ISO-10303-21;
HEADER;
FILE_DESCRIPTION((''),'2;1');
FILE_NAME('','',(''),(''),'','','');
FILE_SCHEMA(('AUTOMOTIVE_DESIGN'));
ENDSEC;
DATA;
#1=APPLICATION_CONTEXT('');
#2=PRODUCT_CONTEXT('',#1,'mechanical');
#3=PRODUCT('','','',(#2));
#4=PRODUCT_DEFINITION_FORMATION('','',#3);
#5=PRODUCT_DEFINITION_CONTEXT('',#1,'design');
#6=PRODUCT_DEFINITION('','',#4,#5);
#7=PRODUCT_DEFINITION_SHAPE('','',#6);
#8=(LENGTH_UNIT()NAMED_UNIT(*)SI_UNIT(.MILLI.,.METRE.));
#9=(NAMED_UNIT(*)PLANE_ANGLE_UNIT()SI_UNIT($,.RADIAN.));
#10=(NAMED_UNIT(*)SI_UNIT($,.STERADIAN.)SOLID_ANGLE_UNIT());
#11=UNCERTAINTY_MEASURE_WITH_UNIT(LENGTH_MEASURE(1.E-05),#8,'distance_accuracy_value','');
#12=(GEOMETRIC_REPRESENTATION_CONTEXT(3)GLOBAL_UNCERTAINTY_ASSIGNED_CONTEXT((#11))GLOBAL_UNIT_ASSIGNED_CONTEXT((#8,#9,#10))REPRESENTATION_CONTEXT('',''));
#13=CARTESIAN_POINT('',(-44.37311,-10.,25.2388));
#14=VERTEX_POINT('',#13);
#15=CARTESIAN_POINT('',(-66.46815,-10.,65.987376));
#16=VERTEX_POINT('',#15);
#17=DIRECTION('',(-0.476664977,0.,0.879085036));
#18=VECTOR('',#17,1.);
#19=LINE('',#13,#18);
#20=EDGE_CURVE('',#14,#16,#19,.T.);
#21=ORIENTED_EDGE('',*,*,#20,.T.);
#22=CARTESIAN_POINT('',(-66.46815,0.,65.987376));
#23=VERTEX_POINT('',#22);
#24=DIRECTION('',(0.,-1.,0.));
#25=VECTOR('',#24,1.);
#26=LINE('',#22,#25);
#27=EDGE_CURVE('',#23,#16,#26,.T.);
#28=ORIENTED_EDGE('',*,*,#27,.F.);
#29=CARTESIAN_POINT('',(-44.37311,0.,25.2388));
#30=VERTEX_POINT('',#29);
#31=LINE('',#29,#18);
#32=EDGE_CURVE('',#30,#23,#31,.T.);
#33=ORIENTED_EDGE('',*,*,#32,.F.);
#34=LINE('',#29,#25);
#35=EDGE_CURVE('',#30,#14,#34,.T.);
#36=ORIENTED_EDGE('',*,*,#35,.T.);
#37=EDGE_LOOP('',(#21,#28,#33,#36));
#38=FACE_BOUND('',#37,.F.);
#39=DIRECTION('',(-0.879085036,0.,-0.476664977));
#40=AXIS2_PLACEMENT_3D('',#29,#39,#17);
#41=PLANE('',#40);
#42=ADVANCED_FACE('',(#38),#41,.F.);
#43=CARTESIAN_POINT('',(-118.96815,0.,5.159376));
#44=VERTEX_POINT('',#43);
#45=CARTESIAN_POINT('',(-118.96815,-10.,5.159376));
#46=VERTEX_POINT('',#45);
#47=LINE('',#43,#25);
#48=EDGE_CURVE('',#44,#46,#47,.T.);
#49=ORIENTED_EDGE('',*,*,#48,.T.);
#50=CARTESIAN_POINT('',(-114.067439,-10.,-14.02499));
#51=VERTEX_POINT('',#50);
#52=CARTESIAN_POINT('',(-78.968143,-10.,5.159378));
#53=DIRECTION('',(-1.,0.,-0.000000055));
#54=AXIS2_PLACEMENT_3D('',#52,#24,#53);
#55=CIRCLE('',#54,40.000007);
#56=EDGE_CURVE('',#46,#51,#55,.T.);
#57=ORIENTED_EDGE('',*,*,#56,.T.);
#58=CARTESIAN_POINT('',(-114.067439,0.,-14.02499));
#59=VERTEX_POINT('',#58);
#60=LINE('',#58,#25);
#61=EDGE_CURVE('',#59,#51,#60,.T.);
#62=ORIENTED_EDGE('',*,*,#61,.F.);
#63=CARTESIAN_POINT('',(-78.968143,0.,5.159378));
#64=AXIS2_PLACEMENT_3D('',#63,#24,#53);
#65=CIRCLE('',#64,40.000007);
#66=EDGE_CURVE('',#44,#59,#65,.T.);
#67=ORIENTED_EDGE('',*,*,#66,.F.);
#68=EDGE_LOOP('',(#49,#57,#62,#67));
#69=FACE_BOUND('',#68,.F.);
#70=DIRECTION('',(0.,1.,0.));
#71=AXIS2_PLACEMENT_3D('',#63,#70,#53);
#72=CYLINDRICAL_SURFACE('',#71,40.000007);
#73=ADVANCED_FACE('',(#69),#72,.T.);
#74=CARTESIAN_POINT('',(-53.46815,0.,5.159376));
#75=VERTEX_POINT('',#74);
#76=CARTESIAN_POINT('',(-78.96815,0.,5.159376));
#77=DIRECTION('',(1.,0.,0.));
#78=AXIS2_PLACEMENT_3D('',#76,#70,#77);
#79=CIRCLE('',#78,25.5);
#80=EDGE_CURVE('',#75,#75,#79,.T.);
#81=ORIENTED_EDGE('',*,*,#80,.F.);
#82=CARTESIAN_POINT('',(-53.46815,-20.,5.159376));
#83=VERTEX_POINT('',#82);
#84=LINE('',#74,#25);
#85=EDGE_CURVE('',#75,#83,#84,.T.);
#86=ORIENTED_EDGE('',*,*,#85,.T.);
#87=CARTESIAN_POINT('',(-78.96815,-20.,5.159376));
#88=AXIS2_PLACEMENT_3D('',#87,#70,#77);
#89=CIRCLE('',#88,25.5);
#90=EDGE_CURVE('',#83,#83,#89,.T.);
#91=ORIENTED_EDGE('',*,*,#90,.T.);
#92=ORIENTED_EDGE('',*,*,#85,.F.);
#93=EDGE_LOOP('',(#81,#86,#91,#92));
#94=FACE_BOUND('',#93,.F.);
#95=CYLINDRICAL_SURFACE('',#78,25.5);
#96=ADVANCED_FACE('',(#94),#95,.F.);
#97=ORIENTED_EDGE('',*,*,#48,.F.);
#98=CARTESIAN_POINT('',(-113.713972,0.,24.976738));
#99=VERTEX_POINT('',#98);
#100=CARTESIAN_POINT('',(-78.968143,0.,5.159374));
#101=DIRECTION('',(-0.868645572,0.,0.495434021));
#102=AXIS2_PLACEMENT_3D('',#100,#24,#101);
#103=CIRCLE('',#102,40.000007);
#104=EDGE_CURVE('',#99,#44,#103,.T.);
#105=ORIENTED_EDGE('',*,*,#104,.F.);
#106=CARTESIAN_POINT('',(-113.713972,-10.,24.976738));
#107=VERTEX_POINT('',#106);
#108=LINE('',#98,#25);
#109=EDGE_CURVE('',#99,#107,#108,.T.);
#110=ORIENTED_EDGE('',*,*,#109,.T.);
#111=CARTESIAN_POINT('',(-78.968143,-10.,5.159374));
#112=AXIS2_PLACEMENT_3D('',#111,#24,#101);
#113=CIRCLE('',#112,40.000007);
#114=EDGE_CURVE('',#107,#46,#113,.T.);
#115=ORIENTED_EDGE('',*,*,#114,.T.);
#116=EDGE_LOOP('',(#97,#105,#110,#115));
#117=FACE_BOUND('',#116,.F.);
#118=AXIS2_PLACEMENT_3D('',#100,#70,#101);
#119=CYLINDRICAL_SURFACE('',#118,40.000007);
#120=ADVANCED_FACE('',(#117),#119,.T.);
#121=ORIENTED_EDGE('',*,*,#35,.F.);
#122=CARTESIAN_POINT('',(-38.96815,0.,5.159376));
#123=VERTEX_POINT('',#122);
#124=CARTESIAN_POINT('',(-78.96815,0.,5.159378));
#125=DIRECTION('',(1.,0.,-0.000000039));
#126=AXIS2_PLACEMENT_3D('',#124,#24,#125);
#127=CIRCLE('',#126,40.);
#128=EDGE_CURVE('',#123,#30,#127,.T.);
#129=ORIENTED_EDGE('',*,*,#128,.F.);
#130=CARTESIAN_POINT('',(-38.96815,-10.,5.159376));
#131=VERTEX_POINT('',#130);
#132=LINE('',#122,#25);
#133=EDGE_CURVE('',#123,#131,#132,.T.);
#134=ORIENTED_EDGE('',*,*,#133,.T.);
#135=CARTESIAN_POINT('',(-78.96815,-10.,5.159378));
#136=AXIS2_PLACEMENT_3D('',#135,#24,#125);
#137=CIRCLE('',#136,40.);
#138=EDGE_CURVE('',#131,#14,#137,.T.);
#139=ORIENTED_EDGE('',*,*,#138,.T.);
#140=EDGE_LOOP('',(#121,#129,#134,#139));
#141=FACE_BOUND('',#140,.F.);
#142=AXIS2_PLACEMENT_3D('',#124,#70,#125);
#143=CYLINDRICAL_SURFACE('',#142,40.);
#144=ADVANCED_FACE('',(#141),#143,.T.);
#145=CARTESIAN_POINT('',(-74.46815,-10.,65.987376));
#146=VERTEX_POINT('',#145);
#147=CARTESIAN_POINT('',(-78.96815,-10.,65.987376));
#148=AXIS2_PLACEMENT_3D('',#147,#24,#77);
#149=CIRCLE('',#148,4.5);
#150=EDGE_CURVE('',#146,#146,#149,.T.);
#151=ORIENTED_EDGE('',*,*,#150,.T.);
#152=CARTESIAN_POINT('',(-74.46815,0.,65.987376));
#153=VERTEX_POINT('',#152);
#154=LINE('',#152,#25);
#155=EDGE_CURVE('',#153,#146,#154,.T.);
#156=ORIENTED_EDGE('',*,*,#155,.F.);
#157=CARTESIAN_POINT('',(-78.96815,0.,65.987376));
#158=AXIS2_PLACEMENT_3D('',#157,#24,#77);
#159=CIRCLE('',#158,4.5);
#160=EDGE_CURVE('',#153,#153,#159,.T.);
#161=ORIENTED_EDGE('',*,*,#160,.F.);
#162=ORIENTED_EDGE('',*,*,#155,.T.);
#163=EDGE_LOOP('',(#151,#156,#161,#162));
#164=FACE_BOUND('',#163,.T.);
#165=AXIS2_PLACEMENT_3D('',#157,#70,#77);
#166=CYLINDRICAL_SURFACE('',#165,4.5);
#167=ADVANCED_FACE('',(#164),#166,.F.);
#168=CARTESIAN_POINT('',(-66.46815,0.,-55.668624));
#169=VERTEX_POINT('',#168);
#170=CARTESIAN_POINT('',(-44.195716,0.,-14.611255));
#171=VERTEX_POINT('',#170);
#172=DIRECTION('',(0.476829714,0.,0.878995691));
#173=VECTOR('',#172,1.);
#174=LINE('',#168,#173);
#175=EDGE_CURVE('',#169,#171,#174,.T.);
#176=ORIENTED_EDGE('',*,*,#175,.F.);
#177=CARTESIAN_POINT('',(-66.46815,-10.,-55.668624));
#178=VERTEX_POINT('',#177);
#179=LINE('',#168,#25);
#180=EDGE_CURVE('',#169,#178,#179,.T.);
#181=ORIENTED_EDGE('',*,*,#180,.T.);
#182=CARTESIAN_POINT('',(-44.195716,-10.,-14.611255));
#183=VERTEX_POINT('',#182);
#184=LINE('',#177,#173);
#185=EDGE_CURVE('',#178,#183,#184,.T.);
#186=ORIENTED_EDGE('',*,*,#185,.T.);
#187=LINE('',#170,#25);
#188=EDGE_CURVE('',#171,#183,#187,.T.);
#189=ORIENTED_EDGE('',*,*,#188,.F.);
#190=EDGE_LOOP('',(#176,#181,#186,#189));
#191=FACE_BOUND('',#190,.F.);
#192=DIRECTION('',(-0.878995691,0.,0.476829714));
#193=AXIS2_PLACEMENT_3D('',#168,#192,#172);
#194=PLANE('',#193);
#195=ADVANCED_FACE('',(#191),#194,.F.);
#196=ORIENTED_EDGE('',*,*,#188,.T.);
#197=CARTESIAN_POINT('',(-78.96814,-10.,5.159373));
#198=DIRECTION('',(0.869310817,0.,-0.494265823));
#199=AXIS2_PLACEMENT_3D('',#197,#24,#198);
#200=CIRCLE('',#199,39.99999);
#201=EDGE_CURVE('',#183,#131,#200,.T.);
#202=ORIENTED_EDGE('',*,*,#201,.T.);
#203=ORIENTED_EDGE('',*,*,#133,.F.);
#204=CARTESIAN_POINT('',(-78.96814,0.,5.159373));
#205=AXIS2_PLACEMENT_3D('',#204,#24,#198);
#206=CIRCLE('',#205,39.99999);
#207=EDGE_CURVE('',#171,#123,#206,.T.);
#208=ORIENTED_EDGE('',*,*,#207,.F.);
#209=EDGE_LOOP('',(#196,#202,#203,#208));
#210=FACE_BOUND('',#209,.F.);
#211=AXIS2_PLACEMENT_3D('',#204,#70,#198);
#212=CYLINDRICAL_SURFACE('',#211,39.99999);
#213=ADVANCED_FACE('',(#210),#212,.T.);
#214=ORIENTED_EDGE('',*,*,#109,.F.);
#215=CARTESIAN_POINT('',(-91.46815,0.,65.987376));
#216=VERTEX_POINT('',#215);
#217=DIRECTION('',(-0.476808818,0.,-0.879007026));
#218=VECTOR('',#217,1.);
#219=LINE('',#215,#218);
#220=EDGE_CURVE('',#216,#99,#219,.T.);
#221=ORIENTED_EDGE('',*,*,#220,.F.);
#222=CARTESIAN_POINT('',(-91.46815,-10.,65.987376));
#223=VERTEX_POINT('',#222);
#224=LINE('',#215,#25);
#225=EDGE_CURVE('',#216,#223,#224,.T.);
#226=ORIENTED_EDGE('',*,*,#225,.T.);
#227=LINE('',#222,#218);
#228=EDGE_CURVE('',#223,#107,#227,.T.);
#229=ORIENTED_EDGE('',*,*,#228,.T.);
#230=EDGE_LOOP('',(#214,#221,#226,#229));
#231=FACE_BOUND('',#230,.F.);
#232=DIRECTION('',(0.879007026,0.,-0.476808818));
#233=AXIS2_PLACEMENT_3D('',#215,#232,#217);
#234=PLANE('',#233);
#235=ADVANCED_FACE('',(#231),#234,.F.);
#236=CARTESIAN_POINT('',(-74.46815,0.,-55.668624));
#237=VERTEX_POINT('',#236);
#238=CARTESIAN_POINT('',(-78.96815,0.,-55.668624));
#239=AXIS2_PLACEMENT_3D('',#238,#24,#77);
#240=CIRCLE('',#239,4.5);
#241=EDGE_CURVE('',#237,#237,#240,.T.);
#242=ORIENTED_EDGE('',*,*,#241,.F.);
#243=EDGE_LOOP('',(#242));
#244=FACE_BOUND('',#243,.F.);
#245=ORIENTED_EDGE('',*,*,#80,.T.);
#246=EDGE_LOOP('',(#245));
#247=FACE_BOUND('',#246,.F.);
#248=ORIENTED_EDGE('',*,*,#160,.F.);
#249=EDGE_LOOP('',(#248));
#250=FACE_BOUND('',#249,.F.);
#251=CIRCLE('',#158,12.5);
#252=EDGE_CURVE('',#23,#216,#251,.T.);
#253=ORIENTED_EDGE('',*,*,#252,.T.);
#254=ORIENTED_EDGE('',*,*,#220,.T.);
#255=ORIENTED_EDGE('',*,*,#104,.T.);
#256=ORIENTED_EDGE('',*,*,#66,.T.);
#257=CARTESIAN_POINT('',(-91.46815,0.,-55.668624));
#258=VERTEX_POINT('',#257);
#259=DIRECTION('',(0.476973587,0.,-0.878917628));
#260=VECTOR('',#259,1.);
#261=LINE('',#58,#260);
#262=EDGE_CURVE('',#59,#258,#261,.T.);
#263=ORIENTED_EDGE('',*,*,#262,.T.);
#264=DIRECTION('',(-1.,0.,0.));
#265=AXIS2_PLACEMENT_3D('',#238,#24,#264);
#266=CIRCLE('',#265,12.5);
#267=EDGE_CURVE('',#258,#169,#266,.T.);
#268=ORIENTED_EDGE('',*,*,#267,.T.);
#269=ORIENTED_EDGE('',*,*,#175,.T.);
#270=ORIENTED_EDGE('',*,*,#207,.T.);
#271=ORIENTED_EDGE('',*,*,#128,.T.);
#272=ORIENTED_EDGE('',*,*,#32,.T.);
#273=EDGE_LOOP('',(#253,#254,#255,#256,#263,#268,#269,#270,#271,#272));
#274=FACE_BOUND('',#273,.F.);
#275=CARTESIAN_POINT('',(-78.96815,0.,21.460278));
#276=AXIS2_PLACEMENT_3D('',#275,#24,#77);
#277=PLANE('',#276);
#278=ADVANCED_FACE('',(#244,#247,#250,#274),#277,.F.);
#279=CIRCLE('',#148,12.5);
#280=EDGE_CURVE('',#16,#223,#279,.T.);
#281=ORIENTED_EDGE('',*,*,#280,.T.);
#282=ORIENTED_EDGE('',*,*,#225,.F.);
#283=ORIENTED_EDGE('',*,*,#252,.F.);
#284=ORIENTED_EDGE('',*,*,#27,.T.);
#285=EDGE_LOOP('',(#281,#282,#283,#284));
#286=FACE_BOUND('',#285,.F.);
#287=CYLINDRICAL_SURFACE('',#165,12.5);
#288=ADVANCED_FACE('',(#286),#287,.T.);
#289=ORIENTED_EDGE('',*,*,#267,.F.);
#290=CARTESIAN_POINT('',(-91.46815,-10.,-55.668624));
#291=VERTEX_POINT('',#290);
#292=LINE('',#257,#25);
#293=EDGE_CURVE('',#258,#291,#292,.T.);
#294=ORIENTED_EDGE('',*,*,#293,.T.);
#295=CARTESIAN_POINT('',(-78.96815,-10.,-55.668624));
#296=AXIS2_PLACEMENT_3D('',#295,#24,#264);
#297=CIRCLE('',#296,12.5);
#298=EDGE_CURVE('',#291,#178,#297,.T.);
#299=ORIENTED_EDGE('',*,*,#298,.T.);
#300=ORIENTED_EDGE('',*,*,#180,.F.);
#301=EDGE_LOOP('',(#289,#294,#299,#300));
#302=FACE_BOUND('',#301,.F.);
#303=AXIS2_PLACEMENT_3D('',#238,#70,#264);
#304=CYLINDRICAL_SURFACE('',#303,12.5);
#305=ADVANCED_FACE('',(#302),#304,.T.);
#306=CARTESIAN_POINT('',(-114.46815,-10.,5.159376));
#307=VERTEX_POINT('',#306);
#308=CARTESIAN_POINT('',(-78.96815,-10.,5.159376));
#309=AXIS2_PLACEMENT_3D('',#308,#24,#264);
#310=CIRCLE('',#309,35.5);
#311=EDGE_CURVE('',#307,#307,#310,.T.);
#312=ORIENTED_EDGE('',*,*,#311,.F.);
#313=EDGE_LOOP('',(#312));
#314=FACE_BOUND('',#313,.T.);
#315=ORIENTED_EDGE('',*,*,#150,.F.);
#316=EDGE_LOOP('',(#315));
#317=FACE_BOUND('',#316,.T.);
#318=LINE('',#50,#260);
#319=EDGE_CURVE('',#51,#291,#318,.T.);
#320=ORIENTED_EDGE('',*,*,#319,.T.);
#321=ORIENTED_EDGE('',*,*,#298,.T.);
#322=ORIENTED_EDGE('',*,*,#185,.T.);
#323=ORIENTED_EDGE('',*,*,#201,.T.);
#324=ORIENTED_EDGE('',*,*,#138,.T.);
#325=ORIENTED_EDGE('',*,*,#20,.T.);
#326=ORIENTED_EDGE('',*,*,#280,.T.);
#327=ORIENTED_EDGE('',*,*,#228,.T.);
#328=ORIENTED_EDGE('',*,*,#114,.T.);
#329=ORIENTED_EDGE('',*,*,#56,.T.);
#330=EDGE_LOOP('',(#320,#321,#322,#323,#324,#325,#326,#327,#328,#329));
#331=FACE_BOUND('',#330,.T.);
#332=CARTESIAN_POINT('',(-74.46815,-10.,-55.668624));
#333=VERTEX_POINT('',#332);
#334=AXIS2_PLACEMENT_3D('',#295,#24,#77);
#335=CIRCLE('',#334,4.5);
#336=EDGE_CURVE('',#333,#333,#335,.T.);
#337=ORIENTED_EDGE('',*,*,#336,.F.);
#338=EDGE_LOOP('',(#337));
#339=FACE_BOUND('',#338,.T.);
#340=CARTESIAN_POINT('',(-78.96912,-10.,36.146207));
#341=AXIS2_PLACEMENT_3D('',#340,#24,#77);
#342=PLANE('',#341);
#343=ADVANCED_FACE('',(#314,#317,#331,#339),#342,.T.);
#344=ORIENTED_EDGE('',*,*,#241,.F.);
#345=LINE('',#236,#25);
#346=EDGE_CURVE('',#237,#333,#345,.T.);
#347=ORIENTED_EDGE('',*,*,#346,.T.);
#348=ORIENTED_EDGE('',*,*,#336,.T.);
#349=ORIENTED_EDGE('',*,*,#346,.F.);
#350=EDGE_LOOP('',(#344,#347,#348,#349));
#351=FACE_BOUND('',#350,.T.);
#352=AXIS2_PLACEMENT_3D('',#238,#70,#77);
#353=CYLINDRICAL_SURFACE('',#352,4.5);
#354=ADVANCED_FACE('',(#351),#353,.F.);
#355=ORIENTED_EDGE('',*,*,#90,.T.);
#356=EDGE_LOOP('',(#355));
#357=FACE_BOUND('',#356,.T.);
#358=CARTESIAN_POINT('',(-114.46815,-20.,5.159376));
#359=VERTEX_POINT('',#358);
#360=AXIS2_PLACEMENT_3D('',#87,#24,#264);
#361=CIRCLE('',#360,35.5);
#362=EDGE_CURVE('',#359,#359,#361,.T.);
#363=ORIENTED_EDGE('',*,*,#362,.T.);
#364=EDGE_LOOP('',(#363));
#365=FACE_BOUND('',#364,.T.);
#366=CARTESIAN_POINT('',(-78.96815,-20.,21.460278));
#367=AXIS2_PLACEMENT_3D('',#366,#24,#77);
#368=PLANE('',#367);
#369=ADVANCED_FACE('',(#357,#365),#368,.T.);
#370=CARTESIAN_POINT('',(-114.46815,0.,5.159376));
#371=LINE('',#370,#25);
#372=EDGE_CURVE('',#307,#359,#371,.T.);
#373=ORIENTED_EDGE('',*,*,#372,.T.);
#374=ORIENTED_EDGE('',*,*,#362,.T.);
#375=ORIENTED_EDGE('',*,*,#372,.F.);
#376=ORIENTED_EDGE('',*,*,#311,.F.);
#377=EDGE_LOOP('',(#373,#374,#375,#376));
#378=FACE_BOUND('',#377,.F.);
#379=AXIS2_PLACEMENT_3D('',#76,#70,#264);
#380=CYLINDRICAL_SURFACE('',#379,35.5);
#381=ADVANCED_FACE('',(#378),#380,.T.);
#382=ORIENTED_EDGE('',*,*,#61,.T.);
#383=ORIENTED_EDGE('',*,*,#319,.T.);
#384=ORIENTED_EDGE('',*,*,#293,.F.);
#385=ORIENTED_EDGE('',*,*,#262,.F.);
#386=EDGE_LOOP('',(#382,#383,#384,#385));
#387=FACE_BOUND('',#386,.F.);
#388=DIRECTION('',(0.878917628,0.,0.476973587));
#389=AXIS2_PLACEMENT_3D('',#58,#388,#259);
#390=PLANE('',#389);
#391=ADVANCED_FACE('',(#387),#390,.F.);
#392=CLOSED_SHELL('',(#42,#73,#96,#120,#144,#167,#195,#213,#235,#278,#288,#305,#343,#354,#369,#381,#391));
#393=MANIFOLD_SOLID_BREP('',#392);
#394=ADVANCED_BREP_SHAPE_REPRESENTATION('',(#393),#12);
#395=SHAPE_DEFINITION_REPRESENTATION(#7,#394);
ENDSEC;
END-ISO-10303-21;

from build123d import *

# Parameters (mm, degrees)
F0_R     = 4.5
F1_DEPTH = 10
F2_DEPTH = 20


with BuildPart() as f1:
    # F0 (on Front) → F1 (new body)
    with BuildSketch(Plane.XZ):
        with BuildLine():
            ThreePointArc((-114.46815, 5.159376), (-78.96815, 40.659376), (-43.46815, 5.159376))
            Line((-43.46815, 5.159376), (-38.96815, 5.159376))
            ThreePointArc((-38.96815, 5.159376), (-40.343018, 15.556453), (-44.37311, 25.2388))
            Line((-44.37311, 25.2388), (-66.46815, 65.987376))
            ThreePointArc((-66.46815, 65.987376), (-78.96815, 78.487376), (-91.46815, 65.987376))
            Line((-91.46815, 65.987376), (-113.713972, 24.976738))
            ThreePointArc((-113.713972, 24.976738), (-117.632299, 15.410403), (-118.96815, 5.159376))
            Line((-118.96815, 5.159376), (-114.46815, 5.159376))
        make_face()
        with Locations((-78.96815, 65.987376)):
            Circle(F0_R, mode=Mode.SUBTRACT)
        with BuildLine():
            Line((-38.96815, 5.159376), (-43.46815, 5.159376))
            ThreePointArc((-43.46815, 5.159376), (-78.96815, -30.340624), (-114.46815, 5.159376))
            Line((-114.46815, 5.159376), (-118.96815, 5.159376))
            ThreePointArc((-118.96815, 5.159376), (-117.723611, -4.740837), (-114.067439, -14.02499))
            Line((-114.067439, -14.02499), (-91.46815, -55.668624))
            ThreePointArc((-91.46815, -55.668624), (-78.96815, -68.168624), (-66.46815, -55.668624))
            Line((-66.46815, -55.668624), (-44.195716, -14.611255))
            ThreePointArc((-44.195716, -14.611255), (-40.297118, -5.065658), (-38.96815, 5.159376))
        make_face()
        with Locations((-78.96815, -55.668624)):
            Circle(F0_R, mode=Mode.SUBTRACT)
    extrude(amount=F1_DEPTH)

    # F0 (on Front) → F2 (join)
    with BuildSketch(Plane.XZ):
        with BuildLine():
            ThreePointArc((-104.46815, 5.159376), (-78.96815, 30.659376), (-53.46815, 5.159376))
            Line((-53.46815, 5.159376), (-43.46815, 5.159376))
            ThreePointArc((-43.46815, 5.159376), (-78.96815, 40.659376), (-114.46815, 5.159376))
            Line((-114.46815, 5.159376), (-104.46815, 5.159376))
        make_face()
        with BuildLine():
            Line((-43.46815, 5.159376), (-53.46815, 5.159376))
            ThreePointArc((-53.46815, 5.159376), (-78.96815, -20.340624), (-104.46815, 5.159376))
            Line((-104.46815, 5.159376), (-114.46815, 5.159376))
            ThreePointArc((-114.46815, 5.159376), (-78.96815, -30.340624), (-43.46815, 5.159376))
        make_face()
    extrude(amount=F2_DEPTH)


solid = f1.part
